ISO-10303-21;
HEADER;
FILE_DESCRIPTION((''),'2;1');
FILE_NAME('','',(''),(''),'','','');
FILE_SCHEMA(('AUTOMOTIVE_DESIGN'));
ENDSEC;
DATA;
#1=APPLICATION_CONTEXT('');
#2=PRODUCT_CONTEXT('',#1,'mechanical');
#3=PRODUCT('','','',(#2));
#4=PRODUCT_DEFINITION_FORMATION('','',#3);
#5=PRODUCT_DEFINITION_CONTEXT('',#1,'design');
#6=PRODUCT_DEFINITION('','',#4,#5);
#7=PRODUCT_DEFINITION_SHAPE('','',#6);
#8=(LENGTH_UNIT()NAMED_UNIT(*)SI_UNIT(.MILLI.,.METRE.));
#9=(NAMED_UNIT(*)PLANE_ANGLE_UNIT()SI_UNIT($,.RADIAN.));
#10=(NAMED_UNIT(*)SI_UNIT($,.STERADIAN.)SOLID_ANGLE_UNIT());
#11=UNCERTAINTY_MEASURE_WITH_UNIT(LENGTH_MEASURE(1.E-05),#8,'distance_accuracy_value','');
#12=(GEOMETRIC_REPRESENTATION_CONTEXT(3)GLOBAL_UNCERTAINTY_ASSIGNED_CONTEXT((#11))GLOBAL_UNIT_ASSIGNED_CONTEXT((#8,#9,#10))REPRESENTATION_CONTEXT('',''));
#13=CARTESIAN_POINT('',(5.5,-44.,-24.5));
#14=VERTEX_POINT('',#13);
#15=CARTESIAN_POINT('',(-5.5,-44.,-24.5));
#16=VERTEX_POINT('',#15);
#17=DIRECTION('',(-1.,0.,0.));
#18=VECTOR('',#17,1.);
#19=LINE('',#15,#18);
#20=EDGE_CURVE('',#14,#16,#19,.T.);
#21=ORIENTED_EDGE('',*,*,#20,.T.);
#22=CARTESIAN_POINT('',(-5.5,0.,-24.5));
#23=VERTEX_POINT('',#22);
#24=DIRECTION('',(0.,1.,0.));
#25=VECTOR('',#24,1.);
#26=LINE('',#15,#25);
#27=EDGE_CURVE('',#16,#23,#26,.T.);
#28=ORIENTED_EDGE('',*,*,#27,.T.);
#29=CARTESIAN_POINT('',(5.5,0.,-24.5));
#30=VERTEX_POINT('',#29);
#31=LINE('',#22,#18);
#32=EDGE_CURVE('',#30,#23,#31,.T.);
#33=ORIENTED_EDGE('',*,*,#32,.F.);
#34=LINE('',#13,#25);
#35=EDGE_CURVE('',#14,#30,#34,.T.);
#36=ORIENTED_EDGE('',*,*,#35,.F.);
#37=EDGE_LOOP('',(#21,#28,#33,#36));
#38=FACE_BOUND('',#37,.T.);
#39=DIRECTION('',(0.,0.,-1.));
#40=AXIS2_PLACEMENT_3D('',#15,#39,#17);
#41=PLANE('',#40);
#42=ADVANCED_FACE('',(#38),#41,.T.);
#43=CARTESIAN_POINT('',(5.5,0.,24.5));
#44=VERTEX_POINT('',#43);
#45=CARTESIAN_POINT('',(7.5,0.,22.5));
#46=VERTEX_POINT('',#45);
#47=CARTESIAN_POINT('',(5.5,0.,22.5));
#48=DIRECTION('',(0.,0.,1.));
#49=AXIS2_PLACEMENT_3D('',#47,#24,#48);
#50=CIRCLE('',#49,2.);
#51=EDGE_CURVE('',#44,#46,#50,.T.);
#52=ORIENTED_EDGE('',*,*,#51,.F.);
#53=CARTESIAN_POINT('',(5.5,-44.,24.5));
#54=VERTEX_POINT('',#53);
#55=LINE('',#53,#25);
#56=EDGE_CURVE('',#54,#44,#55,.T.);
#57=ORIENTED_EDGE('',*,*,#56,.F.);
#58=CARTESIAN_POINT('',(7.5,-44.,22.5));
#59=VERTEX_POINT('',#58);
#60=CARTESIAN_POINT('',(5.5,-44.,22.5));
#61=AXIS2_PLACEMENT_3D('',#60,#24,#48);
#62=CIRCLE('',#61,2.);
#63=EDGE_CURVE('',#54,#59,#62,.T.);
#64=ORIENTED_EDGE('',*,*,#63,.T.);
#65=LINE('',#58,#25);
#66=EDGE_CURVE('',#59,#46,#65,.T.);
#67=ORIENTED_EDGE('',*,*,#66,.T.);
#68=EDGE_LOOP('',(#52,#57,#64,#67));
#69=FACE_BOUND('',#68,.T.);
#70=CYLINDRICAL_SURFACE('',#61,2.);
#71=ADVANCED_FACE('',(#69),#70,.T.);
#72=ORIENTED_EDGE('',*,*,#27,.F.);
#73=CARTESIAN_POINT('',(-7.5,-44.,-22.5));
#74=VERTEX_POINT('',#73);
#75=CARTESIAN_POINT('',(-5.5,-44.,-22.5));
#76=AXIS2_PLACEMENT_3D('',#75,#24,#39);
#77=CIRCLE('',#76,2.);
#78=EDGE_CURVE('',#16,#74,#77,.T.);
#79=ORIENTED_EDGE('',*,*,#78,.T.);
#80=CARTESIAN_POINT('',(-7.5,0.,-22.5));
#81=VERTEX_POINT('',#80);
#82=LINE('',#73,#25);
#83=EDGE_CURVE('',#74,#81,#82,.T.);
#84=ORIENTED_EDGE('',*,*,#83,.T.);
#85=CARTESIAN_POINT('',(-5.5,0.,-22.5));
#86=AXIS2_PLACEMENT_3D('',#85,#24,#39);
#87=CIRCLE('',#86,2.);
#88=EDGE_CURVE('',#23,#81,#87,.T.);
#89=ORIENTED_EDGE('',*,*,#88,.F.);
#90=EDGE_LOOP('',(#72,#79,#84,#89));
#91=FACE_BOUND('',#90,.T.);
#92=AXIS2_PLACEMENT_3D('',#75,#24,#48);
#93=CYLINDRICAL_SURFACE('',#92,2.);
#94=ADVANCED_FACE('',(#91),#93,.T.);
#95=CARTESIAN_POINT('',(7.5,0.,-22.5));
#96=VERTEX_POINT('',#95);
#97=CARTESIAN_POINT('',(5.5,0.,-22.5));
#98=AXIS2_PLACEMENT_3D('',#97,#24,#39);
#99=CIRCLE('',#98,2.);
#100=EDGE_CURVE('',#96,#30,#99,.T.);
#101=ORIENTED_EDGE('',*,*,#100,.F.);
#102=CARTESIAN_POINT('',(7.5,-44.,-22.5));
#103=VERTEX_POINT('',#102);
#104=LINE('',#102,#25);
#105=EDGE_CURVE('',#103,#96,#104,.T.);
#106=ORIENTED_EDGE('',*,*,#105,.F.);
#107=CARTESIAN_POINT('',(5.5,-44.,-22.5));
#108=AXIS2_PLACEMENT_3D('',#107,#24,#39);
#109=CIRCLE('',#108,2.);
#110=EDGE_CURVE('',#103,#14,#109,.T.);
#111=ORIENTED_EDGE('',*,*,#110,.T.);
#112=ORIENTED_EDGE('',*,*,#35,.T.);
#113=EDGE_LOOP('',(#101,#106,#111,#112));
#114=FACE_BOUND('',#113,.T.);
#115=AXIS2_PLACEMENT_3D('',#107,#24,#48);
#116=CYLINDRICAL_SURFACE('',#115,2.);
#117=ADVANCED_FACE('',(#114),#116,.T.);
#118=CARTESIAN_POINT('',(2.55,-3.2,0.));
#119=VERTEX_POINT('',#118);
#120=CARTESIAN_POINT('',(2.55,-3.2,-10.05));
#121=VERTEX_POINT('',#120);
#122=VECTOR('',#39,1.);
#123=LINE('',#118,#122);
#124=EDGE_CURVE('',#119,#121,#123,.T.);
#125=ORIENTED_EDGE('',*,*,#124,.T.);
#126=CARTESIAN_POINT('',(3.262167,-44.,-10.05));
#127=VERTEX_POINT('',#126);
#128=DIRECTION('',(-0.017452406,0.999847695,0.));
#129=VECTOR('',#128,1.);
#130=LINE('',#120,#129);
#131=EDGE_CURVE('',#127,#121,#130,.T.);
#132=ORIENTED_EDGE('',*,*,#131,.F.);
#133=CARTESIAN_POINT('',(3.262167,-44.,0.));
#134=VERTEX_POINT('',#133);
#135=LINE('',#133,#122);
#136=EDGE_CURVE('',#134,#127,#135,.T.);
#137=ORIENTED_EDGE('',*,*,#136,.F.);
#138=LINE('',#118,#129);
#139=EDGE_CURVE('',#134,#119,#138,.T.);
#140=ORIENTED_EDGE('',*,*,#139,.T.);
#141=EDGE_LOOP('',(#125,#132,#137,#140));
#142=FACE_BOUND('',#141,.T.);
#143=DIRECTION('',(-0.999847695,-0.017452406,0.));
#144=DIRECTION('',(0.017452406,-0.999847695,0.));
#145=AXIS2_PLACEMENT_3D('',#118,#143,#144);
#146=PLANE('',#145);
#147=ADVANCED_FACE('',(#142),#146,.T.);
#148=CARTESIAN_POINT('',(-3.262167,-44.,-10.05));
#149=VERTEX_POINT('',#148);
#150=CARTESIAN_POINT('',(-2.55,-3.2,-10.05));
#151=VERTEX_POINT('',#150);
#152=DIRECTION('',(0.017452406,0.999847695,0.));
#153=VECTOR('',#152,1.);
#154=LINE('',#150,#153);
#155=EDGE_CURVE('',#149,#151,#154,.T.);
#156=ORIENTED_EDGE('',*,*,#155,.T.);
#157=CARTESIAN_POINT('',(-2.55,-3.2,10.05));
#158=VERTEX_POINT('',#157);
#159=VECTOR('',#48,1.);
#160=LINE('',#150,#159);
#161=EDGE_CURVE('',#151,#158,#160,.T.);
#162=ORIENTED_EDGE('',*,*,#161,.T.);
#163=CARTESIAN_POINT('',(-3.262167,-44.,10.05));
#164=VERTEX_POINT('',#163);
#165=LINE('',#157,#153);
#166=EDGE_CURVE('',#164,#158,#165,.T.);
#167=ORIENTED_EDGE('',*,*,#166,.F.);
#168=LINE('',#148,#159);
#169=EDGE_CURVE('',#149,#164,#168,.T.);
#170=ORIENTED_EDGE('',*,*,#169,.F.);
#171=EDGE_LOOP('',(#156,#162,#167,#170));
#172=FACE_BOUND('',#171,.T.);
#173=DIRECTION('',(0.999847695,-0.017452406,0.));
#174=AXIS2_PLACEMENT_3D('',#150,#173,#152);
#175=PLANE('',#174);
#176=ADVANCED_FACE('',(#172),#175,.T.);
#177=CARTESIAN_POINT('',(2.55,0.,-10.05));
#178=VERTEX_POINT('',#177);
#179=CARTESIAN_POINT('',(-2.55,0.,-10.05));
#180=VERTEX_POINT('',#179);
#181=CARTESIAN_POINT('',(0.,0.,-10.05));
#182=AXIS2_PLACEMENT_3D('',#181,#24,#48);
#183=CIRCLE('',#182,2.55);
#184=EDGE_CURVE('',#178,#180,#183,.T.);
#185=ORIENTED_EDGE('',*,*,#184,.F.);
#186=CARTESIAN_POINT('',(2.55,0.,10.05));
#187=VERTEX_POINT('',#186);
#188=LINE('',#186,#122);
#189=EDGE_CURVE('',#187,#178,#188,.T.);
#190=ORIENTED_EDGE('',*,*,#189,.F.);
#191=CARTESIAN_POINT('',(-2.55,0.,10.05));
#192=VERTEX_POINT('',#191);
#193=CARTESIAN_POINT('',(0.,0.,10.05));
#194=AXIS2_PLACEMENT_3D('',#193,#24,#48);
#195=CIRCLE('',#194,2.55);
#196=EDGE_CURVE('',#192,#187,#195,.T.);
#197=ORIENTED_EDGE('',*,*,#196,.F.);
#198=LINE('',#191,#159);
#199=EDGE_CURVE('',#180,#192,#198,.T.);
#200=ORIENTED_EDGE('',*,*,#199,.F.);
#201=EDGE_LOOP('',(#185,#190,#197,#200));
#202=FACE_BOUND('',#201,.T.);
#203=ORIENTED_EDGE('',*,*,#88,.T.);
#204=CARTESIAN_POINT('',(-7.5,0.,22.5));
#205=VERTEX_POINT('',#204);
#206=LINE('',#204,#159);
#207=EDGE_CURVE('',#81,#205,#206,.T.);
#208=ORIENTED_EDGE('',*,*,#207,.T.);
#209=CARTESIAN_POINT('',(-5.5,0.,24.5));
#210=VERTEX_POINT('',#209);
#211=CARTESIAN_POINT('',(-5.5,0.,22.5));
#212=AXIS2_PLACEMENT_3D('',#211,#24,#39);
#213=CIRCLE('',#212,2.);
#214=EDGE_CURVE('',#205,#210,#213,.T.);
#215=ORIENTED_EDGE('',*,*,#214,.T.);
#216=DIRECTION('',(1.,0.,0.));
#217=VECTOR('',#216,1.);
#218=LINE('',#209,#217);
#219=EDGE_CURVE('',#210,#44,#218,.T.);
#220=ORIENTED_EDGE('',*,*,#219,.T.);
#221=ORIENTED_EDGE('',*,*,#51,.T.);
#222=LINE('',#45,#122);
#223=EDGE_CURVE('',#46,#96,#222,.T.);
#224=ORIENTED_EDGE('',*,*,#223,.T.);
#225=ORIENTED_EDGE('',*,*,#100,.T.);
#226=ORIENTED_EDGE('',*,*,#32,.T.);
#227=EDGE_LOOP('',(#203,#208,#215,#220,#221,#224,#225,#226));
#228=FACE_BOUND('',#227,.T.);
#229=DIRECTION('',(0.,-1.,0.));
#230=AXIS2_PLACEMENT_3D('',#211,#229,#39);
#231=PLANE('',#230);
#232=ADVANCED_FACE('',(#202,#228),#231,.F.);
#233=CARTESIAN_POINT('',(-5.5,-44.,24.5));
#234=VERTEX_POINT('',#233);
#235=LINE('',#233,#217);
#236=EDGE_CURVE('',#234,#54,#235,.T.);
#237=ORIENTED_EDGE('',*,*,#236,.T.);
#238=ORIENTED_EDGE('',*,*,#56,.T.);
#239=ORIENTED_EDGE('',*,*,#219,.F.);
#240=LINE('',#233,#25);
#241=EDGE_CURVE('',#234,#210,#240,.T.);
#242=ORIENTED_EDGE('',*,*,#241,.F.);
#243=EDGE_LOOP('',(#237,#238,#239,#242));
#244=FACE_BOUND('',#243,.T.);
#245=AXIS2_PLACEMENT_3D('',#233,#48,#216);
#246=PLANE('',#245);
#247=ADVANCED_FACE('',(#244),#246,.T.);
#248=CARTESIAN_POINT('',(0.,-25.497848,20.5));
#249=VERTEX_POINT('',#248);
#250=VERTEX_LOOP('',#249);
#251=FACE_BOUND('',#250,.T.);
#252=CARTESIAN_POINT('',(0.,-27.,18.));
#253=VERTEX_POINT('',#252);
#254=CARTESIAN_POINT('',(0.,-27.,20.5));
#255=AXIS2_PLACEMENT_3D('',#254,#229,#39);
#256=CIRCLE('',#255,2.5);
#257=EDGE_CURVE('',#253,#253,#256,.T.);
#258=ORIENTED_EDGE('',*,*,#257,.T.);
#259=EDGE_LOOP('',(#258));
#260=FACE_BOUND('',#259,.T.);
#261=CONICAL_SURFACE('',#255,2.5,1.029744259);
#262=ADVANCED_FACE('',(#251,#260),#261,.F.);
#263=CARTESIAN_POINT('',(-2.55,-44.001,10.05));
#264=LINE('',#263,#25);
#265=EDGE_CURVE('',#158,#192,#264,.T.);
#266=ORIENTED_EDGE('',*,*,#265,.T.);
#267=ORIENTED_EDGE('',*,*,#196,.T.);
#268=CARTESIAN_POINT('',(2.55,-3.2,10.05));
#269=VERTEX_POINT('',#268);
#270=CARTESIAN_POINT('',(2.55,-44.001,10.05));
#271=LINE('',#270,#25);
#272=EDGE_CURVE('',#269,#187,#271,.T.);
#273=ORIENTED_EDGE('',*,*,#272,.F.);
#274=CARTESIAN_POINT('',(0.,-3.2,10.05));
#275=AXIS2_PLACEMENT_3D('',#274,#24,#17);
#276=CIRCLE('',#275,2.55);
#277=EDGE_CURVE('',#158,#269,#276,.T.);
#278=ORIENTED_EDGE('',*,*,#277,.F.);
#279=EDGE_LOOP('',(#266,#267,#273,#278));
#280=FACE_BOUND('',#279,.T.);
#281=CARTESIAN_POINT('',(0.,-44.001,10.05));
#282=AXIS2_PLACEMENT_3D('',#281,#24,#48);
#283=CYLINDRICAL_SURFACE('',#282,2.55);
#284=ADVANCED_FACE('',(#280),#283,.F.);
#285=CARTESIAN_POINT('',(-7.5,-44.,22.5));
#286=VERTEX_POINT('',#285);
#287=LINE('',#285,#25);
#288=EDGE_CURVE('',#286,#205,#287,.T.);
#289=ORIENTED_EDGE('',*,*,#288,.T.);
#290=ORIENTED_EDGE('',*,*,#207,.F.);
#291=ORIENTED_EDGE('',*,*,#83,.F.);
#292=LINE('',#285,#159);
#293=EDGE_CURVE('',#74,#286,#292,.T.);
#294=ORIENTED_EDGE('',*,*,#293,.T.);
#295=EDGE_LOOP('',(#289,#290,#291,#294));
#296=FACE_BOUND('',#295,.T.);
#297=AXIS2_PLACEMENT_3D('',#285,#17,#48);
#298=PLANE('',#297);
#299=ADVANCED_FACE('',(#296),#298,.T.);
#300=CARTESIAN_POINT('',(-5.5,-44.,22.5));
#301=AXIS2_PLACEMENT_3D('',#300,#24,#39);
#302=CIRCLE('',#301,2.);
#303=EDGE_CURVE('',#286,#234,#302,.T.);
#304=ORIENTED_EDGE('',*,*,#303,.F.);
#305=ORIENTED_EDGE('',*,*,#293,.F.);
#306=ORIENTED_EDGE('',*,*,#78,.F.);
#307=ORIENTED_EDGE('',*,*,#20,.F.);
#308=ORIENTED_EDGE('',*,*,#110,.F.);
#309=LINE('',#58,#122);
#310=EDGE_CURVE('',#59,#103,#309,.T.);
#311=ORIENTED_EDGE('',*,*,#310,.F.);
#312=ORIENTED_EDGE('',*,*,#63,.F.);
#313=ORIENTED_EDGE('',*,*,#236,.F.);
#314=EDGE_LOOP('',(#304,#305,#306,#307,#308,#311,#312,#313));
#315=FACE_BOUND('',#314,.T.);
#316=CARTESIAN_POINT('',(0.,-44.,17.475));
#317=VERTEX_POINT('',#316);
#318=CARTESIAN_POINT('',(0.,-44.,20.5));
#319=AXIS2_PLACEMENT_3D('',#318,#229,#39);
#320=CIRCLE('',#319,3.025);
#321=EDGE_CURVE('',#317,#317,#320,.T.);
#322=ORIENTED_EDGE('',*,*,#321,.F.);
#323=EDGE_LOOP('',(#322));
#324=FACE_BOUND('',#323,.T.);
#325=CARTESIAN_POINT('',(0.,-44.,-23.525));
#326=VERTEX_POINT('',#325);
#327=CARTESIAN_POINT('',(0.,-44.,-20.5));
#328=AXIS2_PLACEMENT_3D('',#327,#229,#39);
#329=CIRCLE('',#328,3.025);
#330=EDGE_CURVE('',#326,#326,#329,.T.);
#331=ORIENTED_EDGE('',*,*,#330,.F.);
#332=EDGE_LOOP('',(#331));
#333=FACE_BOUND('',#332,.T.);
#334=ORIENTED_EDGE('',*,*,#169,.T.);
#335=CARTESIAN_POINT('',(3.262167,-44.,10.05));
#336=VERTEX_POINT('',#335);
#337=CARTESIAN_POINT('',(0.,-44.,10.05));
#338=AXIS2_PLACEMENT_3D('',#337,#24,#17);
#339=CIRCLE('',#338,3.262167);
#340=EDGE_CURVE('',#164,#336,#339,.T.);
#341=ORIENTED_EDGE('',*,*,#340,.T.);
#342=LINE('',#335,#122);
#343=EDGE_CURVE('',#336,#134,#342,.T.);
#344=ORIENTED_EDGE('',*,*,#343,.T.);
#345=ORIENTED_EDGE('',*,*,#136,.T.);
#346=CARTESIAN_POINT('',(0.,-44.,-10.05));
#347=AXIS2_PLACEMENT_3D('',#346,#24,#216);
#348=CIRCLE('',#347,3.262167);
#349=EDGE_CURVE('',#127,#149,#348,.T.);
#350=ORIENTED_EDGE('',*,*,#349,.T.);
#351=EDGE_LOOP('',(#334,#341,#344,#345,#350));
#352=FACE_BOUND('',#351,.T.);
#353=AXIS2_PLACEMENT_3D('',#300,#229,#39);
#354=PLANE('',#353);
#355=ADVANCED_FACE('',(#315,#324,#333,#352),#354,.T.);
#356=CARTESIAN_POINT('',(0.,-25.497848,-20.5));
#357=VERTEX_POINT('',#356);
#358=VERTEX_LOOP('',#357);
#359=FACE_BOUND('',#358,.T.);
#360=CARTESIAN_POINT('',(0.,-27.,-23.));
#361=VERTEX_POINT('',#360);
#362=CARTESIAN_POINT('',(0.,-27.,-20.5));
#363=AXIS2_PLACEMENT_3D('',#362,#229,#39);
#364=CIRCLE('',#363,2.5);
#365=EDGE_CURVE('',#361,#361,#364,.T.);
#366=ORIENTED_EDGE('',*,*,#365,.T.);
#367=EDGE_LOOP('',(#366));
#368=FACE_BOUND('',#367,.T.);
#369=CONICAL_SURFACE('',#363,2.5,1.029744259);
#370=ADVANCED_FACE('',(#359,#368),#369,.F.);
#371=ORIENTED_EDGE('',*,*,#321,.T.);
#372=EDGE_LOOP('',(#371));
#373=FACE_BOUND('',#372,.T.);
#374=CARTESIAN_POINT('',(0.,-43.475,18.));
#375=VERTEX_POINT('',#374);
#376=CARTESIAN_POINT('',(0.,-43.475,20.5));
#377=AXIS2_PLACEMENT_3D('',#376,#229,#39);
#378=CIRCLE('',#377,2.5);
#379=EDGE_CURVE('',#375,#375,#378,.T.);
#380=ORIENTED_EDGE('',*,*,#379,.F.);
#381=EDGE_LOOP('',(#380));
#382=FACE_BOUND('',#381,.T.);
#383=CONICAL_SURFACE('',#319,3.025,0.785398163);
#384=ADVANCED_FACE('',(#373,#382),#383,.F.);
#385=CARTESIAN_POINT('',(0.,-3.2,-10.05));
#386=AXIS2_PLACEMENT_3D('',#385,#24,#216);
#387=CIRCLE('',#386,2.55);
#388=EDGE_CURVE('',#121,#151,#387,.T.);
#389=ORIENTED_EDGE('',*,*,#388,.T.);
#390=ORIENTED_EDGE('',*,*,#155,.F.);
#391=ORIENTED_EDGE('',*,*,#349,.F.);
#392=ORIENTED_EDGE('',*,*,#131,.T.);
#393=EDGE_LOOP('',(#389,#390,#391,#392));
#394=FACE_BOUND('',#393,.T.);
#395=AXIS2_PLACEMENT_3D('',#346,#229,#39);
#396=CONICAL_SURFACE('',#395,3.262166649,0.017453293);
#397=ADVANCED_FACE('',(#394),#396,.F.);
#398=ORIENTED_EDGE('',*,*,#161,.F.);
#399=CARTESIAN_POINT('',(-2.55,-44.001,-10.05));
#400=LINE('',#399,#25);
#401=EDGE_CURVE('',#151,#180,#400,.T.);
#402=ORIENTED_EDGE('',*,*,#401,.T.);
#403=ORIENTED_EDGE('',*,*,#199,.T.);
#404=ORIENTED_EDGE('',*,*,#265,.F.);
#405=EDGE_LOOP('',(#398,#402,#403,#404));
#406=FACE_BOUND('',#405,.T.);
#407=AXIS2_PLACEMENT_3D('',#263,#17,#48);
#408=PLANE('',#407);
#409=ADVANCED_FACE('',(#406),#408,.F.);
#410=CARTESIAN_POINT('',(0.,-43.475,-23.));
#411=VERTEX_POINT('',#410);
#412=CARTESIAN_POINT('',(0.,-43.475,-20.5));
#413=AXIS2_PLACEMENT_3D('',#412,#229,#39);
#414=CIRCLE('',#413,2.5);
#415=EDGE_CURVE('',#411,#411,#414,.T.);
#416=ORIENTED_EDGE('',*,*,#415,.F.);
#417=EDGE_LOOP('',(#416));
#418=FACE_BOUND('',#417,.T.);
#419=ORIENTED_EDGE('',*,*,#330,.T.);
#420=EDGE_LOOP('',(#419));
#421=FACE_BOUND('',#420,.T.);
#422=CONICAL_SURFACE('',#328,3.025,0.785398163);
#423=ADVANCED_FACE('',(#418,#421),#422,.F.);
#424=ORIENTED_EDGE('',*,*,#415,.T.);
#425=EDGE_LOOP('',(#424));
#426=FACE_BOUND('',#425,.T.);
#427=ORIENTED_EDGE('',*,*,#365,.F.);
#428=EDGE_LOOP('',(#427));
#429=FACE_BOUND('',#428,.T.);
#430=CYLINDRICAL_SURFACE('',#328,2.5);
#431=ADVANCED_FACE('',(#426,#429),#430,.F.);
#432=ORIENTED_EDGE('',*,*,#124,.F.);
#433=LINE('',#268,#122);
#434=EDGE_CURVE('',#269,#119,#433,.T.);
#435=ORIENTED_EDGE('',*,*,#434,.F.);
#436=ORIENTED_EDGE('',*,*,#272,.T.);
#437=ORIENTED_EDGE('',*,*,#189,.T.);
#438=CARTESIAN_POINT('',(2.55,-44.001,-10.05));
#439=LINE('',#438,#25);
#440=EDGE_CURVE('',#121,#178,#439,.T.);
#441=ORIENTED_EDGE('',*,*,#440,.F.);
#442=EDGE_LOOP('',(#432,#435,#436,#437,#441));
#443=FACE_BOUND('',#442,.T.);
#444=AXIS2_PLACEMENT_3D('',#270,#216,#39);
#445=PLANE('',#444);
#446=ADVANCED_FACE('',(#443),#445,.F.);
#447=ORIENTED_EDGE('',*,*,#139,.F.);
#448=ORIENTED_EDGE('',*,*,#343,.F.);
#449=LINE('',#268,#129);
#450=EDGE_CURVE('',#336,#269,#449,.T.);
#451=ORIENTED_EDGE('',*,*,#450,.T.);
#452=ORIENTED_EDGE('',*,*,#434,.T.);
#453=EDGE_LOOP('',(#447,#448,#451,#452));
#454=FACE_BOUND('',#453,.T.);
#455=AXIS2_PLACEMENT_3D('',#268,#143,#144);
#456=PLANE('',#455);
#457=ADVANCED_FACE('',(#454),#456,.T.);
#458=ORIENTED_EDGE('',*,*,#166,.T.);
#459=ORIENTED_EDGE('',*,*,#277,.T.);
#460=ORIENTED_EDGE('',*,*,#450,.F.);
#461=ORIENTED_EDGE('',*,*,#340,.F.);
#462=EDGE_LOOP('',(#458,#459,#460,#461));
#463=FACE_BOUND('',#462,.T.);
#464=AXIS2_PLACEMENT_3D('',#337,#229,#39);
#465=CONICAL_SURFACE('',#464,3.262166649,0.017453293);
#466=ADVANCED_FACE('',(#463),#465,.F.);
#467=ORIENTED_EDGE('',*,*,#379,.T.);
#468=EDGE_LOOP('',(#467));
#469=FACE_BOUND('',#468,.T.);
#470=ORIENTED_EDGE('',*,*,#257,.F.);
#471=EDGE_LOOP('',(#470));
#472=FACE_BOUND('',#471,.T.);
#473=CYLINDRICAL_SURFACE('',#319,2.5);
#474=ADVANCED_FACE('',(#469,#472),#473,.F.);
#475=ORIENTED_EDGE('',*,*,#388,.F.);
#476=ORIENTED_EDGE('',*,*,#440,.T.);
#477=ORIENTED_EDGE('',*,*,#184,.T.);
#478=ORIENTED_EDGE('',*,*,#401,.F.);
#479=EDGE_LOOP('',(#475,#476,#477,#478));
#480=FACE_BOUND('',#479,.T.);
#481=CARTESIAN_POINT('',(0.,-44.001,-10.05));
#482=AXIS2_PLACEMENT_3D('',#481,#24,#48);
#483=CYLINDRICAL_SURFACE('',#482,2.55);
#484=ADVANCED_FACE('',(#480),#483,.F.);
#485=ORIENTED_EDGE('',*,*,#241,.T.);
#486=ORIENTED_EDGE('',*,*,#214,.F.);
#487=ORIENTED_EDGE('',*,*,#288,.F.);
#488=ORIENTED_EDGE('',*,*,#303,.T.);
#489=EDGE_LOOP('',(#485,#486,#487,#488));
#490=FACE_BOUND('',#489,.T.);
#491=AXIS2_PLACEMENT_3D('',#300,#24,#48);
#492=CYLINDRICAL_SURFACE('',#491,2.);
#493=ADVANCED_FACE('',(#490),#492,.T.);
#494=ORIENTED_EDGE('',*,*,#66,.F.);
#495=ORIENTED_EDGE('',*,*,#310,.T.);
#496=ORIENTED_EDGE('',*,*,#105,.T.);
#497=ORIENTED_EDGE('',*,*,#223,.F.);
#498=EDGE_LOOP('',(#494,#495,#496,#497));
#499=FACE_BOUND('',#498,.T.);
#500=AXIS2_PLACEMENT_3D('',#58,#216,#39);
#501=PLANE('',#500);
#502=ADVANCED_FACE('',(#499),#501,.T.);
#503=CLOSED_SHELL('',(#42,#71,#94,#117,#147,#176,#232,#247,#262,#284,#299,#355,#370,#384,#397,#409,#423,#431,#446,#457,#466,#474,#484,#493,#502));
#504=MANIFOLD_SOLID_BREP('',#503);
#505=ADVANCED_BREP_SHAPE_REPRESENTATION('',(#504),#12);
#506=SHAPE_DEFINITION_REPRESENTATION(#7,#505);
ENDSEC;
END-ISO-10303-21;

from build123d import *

# Parameters (mm, degrees)
BOSS_EXTRUDE1_DEPTH         = 44
CUT_EXTRUDE2_REACH          = 52.917
M6_TAPPED_HOLE1_D           = 5
M6_TAPPED_HOLE1_DEPTH       = 17
M6_TAPPED_HOLE1_CSINK_D     = 6.05
M6_TAPPED_HOLE1_CSINK_ANGLE = 90
M6_TAPPED_HOLE1_TIP         = 1.502151548


with BuildPart() as part:
    # Sketch1 → Boss-Extrude1 (new body)
    with BuildSketch(Plane(origin=(0, 0, 0), x_dir=(1, 0, 0), z_dir=(0, 1, 0))):
        with BuildLine():
            Line((-5.5, -24.5), (5.5, -24.5))
            ThreePointArc((5.5, -24.5), (6.914213562, -23.914213562), (7.5, -22.5))
            Line((7.5, -22.5), (7.5, 22.5))
            ThreePointArc((7.5, 22.5), (6.914213562, 23.914213562), (5.5, 24.5))
            Line((5.5, 24.5), (-5.5, 24.5))
            ThreePointArc((-5.5, 24.5), (-6.914213562, 23.914213562), (-7.5, 22.5))
            Line((-7.5, 22.5), (-7.5, -22.5))
            ThreePointArc((-7.5, -22.5), (-6.914213562, -23.914213562), (-5.5, -24.5))
        make_face()
    extrude(amount=-BOSS_EXTRUDE1_DEPTH)

    # Sketch5 → Cut-Extrude2 (cut, up to next)
    with BuildSketch(Plane(origin=(0, 0, 0), x_dir=(1, 0, 0), z_dir=(0, 1, 0)), mode=Mode.PRIVATE) as cut_extrude2_sk1:
        with BuildLine():
            Line((-2.55, -10.05), (-2.55, 10.05))
            ThreePointArc((-2.55, 10.05), (0, 12.6), (2.55, 10.05))
            Line((2.55, 10.05), (2.55, -10.05))
            ThreePointArc((2.55, -10.05), (0, -12.6), (-2.55, -10.05))
        make_face()
    cut_extrude2_tool1 = extrude(cut_extrude2_sk1.sketch, amount=-CUT_EXTRUDE2_REACH, mode=Mode.PRIVATE) & part.part
    add(cut_extrude2_tool1.solids().sort_by_distance((0, 0, 0))[0], mode=Mode.SUBTRACT)

    # Cut-Sweep1: sweep along a path in Sketch8
    with BuildLine(Plane(origin=(0, 0, 0), x_dir=(1, 0, 0), z_dir=(0, 1, 0))) as cut_sweep1_path:
        Line((-2.55, 10.05), (-2.55, -10.05))
        ThreePointArc((-2.55, -10.05), (0, -12.6), (2.55, -10.05))
        Line((2.55, -10.05), (2.55, 10.05))
        ThreePointArc((2.55, 10.05), (0, 12.6), (-2.55, 10.05))
    # Sketch7 → Cut-Sweep1 (sweep, cut)
    with BuildSketch(Plane.XY):
        Polygon((2.55, -3.2), (3.262166649, -44), (2.55, -44), align=None)
    sweep(path=cut_sweep1_path.line, mode=Mode.SUBTRACT)

    # M6 Tapped Hole1
    with Locations(Plane(origin=(0, -44, 0), x_dir=(-1, 0, 0), z_dir=(0, -1, 0))):
        with Locations((0, 20.5), (0, -20.5)):
            CounterSinkHole(M6_TAPPED_HOLE1_D / 2, M6_TAPPED_HOLE1_CSINK_D / 2, depth=M6_TAPPED_HOLE1_DEPTH, counter_sink_angle=M6_TAPPED_HOLE1_CSINK_ANGLE)
            with Locations((0, 0, -(M6_TAPPED_HOLE1_DEPTH + M6_TAPPED_HOLE1_TIP / 2))):  # 118° drill point
                Cone(0, M6_TAPPED_HOLE1_D / 2, M6_TAPPED_HOLE1_TIP, mode=Mode.SUBTRACT)


solid = part.part
